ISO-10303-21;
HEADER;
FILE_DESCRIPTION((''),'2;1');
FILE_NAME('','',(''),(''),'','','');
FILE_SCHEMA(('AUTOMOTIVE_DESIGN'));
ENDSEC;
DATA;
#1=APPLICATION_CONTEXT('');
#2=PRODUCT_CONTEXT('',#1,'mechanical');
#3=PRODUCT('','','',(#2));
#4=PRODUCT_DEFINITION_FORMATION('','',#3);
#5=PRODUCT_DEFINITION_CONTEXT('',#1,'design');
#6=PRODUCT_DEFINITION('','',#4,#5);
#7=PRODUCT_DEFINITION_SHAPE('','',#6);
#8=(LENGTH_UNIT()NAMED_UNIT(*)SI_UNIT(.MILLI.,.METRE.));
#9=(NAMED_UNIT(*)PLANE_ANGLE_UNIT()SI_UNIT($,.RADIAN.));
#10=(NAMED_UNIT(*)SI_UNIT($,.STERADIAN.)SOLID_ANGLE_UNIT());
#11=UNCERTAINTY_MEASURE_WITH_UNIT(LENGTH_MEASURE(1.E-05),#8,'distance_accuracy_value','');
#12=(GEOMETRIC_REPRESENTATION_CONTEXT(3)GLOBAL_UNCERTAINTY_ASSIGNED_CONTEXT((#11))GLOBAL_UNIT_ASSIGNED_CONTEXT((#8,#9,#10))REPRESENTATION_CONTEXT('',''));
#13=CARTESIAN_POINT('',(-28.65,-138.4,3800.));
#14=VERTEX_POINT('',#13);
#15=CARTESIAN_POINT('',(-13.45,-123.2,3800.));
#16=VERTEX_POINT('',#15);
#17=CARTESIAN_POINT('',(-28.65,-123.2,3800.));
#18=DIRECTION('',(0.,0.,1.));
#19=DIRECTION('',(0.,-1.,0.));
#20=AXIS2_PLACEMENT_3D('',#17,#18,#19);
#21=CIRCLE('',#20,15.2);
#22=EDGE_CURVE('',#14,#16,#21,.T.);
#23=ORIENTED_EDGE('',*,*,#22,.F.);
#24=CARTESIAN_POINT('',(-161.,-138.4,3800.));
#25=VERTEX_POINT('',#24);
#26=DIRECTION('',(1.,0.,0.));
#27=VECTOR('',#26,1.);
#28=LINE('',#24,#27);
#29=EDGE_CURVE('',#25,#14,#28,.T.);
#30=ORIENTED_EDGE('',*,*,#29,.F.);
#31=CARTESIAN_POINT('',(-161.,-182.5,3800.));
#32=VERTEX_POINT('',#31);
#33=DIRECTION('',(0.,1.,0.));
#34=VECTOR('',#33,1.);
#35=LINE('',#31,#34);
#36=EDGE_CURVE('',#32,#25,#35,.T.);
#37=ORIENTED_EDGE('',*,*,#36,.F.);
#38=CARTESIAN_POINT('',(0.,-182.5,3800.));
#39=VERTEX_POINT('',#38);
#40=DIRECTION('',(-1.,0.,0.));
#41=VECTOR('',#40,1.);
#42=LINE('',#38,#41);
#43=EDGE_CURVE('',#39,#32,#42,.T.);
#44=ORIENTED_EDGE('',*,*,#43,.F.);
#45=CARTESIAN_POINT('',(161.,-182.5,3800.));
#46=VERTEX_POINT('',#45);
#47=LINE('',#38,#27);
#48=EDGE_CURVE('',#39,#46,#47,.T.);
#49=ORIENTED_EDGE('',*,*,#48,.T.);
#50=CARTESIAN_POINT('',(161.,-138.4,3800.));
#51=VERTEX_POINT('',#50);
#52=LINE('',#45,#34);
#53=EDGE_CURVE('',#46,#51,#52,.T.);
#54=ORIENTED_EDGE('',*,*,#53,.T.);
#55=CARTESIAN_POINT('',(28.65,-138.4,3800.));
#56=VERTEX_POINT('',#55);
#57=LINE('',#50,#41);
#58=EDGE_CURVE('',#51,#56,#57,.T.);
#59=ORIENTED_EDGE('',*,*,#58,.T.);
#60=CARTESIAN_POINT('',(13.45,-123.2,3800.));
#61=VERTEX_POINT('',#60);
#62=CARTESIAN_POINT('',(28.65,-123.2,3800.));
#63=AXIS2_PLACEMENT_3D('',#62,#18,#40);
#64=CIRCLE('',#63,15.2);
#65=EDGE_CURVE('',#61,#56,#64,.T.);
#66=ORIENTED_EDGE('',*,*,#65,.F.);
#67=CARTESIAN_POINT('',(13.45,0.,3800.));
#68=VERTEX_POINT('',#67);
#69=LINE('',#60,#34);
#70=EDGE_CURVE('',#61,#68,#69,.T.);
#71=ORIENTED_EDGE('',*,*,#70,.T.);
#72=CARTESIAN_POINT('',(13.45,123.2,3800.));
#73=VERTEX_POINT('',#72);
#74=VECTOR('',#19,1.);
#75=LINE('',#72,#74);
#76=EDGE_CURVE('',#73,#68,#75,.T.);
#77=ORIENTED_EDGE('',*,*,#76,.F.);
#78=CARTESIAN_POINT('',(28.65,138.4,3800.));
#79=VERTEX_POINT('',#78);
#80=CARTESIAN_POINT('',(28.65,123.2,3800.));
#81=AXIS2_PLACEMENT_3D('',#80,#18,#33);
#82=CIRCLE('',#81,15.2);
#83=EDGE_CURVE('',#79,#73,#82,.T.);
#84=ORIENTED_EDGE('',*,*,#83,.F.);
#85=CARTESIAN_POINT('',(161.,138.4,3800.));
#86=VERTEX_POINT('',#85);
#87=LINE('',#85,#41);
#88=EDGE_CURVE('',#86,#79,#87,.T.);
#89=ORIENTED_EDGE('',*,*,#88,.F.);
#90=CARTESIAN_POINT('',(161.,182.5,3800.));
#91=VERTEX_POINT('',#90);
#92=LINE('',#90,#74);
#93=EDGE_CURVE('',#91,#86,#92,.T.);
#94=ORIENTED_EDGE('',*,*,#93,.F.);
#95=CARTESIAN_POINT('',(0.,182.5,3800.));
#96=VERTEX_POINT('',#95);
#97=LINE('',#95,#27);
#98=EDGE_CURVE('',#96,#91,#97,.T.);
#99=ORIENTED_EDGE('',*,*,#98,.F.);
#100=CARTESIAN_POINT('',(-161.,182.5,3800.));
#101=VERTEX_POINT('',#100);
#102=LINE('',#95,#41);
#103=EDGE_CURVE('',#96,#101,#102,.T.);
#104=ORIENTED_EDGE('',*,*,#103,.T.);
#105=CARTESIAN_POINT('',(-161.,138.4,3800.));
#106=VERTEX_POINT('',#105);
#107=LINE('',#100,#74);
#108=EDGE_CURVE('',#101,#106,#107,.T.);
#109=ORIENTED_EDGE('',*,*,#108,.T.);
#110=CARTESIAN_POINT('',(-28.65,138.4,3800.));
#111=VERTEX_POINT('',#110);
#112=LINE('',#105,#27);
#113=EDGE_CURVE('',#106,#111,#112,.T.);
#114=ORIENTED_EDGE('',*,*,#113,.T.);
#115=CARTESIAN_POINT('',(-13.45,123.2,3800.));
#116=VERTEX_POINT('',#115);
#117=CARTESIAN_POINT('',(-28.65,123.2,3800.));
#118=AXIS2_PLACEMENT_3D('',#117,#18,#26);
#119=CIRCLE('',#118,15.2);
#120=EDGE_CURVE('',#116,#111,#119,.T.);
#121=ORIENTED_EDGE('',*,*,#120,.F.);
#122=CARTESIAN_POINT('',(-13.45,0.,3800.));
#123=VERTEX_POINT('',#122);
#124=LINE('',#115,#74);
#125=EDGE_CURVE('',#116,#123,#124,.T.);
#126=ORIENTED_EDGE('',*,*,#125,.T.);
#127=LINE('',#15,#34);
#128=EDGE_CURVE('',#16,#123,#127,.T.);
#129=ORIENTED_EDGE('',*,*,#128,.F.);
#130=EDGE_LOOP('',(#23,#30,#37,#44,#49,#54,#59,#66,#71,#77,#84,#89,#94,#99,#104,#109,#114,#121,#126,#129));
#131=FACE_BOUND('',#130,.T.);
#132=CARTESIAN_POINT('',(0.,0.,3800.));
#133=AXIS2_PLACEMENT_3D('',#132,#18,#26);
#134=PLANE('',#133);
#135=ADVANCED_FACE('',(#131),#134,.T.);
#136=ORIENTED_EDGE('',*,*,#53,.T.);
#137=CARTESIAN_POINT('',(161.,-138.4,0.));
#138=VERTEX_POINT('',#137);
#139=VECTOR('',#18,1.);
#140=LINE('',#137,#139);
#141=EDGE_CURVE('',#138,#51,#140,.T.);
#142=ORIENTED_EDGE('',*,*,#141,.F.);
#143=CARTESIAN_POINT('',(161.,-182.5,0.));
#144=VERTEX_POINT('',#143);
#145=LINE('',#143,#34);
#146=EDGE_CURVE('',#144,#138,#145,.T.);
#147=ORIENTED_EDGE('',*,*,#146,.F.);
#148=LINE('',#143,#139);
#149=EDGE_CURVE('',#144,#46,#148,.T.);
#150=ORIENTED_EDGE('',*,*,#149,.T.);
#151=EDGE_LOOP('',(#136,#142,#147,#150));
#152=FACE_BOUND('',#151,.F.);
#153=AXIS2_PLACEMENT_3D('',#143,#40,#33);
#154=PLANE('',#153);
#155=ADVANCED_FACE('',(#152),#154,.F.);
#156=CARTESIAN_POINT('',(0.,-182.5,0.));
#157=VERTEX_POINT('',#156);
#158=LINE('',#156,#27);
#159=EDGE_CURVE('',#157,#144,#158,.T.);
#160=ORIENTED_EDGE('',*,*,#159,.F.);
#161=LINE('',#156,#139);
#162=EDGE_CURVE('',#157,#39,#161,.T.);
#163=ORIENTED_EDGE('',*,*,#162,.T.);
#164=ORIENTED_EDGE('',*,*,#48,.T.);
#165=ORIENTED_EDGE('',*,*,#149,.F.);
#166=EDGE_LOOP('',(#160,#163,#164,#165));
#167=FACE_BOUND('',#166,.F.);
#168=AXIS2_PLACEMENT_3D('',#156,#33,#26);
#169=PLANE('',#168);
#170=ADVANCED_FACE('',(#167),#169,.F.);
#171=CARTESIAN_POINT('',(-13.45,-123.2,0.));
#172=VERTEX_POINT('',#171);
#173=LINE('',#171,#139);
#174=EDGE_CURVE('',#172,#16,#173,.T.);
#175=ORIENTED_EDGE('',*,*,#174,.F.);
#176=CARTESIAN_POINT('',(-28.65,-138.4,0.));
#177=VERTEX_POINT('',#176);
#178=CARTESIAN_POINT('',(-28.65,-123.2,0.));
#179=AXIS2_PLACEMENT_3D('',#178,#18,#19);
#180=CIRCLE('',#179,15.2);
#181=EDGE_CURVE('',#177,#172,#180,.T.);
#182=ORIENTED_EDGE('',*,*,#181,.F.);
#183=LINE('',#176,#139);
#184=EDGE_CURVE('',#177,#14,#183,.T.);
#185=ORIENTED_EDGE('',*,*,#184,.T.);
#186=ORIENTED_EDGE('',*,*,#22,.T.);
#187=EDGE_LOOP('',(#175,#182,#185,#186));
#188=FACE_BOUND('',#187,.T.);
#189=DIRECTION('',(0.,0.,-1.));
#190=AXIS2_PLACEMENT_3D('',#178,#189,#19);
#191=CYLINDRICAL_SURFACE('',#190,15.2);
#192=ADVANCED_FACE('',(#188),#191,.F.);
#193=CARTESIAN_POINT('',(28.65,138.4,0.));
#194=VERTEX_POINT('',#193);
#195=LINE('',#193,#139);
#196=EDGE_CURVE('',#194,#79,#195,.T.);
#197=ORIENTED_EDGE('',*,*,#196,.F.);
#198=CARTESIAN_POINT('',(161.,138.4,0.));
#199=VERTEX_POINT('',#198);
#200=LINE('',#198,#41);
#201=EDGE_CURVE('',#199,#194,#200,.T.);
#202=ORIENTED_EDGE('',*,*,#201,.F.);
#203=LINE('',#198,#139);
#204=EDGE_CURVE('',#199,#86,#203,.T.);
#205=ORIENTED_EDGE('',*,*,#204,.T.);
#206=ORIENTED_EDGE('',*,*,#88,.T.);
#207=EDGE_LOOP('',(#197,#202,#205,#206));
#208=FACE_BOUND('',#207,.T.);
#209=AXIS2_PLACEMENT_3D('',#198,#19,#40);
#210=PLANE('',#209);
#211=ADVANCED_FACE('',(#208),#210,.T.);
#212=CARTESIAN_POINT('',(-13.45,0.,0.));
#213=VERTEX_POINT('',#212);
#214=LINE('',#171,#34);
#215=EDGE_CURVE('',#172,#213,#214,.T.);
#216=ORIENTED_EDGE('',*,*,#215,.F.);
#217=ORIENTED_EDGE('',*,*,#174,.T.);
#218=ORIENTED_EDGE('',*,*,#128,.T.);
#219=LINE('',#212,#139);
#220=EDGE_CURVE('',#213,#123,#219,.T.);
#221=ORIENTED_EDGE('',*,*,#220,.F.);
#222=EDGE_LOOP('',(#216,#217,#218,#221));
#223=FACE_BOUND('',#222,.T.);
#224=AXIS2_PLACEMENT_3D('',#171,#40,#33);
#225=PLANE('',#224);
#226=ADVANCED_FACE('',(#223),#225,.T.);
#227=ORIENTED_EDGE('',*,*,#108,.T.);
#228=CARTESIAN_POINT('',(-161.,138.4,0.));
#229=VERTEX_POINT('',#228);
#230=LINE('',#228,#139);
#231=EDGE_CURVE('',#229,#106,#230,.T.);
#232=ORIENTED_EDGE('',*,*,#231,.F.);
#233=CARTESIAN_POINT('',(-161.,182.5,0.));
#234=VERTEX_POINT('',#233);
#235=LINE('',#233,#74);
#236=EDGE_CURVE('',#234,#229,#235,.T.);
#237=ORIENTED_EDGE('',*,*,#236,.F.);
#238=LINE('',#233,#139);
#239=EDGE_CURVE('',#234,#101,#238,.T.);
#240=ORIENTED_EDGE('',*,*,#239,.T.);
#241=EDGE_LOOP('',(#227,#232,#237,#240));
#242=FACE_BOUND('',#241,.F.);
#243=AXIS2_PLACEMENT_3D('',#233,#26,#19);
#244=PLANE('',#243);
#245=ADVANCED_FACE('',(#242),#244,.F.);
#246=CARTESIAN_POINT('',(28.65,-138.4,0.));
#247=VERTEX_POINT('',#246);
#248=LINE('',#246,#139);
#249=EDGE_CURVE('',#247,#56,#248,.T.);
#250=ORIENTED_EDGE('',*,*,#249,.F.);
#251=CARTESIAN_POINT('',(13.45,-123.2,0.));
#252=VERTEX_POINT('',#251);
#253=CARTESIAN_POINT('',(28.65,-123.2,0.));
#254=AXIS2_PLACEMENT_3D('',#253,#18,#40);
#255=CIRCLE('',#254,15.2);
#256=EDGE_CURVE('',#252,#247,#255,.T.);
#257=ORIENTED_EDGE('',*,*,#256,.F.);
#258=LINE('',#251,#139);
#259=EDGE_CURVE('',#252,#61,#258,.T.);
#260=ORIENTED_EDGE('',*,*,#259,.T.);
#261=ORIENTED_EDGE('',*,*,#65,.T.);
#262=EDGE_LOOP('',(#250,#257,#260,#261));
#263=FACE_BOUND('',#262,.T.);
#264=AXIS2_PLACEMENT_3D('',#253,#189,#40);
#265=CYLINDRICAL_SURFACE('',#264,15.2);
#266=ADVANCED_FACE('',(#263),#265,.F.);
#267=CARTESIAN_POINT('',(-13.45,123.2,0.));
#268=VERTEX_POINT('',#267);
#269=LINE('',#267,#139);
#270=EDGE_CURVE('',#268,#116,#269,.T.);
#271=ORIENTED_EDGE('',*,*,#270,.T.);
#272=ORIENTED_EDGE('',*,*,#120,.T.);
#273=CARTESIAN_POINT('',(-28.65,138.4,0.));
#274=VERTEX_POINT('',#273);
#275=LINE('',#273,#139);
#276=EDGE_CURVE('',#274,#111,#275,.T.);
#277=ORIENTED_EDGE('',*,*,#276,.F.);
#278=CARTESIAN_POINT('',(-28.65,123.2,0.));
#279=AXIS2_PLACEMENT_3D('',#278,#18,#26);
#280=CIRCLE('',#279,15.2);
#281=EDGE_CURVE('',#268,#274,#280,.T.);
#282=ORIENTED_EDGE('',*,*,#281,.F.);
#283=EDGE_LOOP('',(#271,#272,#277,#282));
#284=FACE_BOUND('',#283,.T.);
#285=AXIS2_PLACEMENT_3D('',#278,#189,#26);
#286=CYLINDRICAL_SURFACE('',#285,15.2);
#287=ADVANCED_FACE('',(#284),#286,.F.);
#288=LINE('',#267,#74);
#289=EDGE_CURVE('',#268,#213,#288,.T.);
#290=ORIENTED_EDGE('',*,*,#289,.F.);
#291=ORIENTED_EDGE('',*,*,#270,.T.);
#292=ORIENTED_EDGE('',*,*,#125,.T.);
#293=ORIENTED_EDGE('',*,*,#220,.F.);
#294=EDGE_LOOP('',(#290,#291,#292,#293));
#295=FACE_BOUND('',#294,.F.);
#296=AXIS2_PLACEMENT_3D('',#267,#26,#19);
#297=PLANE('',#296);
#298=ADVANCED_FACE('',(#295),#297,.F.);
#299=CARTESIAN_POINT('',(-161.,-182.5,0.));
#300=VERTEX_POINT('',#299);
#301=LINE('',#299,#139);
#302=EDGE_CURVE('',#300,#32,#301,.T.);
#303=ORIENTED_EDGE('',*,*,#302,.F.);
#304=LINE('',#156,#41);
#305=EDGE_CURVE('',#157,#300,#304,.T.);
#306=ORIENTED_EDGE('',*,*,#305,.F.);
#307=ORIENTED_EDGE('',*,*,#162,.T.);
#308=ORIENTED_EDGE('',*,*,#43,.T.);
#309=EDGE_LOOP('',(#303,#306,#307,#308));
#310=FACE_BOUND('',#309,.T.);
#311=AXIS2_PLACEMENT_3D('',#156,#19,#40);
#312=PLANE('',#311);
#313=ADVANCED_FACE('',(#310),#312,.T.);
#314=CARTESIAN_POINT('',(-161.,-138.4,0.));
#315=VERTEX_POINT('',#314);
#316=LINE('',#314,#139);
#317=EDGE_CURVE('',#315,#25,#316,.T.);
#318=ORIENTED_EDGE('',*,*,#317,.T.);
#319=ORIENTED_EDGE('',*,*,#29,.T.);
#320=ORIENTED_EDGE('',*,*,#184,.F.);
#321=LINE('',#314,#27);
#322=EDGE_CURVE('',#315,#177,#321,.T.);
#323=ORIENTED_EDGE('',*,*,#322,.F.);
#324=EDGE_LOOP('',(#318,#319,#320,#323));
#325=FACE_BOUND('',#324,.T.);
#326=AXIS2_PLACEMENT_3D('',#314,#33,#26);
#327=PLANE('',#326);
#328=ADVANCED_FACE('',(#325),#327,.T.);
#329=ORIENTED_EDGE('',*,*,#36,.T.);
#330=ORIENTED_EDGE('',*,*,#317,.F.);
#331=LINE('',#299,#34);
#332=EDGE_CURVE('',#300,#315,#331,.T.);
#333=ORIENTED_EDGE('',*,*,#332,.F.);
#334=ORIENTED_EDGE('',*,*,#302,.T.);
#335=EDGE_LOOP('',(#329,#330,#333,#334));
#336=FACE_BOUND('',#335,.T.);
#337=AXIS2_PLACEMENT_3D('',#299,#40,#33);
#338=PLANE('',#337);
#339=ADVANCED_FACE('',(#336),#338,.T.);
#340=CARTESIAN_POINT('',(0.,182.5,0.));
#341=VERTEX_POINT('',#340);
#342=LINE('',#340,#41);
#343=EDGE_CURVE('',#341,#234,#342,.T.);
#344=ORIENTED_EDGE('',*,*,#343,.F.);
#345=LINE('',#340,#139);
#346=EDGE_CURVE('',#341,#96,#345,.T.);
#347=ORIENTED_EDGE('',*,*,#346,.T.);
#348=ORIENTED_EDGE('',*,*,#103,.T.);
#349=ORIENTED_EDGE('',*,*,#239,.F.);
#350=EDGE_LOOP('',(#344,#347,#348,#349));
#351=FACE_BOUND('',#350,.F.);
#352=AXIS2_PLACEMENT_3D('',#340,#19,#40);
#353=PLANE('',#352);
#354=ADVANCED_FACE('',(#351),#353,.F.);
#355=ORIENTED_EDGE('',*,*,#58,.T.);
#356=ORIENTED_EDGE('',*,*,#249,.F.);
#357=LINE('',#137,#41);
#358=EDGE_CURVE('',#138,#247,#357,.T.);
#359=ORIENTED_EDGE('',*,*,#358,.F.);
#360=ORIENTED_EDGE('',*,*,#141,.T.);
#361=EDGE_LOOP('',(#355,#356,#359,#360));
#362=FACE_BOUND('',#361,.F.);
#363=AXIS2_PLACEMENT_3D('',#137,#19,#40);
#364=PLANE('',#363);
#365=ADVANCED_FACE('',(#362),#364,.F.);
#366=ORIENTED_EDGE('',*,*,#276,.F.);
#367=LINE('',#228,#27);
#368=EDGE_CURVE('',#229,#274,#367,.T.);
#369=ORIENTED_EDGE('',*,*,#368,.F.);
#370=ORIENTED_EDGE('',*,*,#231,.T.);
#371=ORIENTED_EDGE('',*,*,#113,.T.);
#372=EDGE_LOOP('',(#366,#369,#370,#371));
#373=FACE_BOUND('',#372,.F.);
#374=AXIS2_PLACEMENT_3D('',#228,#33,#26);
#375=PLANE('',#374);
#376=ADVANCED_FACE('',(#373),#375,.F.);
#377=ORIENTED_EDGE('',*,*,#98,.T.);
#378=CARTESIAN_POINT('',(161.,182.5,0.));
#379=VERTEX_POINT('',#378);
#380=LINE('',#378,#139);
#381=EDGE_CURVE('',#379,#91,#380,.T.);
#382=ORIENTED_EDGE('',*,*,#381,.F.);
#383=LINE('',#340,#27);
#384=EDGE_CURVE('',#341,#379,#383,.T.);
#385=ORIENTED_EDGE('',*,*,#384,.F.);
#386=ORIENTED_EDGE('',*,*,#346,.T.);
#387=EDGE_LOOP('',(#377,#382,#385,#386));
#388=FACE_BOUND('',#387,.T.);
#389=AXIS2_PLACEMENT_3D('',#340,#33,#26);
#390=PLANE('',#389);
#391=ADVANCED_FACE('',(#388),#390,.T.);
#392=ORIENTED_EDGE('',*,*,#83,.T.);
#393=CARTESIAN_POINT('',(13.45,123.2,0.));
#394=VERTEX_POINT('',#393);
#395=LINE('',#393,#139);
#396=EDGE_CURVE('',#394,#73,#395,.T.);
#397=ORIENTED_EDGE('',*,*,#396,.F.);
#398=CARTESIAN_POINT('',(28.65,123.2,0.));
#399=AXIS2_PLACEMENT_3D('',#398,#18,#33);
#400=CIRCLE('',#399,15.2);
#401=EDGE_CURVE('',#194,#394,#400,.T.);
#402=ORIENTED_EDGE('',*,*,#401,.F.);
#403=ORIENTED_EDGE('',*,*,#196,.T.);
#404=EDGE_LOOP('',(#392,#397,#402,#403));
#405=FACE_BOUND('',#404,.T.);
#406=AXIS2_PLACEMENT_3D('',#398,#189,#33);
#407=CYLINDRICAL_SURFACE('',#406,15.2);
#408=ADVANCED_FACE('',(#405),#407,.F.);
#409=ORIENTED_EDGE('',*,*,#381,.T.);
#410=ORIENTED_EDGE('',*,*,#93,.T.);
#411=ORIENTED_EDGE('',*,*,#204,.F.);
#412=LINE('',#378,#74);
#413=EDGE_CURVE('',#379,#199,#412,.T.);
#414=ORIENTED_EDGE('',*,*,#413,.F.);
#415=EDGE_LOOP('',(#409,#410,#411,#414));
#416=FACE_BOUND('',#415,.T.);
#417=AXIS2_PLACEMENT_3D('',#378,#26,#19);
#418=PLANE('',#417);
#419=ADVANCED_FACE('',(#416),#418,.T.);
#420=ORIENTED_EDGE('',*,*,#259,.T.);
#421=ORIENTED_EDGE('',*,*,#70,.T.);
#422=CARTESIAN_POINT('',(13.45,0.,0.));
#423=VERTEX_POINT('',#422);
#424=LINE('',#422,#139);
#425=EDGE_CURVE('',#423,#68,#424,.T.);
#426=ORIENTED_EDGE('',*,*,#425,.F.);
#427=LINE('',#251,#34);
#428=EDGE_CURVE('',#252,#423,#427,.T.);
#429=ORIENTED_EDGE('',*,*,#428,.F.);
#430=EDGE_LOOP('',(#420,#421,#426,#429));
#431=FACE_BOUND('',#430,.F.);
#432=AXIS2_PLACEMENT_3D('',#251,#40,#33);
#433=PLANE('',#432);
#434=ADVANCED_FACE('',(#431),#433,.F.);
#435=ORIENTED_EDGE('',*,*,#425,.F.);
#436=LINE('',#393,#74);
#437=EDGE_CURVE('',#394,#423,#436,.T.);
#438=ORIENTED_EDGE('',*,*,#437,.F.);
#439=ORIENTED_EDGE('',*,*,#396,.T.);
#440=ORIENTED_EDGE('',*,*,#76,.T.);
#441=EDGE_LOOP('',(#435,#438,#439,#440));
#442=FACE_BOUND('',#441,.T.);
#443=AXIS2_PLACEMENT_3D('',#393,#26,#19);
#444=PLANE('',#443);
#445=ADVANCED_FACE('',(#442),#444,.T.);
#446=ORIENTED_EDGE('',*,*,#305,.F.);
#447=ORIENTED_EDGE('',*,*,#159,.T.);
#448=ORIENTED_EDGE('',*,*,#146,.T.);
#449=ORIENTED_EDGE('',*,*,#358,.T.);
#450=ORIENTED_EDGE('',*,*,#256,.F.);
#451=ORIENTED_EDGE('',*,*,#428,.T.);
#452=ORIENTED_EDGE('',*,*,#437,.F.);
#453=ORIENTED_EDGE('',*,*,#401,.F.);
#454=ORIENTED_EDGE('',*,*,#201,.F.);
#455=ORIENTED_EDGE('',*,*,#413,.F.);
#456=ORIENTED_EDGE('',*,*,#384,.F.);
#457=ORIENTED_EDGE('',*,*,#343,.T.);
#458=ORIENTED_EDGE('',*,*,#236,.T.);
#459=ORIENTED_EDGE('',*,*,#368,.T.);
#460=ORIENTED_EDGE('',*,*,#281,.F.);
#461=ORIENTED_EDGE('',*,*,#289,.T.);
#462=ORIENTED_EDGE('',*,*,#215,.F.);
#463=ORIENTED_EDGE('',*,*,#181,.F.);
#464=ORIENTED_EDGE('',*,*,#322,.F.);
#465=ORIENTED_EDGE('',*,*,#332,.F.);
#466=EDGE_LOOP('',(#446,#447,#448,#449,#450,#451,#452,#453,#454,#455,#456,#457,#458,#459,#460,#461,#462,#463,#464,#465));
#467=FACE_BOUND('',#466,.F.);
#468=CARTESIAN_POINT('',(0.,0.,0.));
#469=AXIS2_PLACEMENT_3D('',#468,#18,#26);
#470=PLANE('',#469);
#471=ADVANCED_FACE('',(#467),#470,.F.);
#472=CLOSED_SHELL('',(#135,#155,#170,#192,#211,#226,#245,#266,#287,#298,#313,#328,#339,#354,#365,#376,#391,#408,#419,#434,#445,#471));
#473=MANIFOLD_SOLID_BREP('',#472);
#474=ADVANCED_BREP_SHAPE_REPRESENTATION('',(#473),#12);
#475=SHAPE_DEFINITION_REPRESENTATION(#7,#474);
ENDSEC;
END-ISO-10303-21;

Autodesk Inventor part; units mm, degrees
ref_plane "YZ Plane" through (0, 0, 0) normal (1, 0, 0) x (0, 1, 0)
ref_plane "Start plane" through (0, 0, 0) normal (0, 0, 1) x (1, 0, 0)
ref_plane "End plane" through (0, 0, 3800) normal (0, 0, 1) x (1, 0, 0)
sketch "Sketch" plane through (0, 0, 0) normal (0, 0, 1) x (1, 0, 0)
  line L0 (-161, -182.5) -> (-161, -138.4)
  line L1 (-161, -138.4) -> (-28.65, -138.4)
  line L2 (-13.45, -123.2) -> (-13.45, 0)
  line L3 (-13.45, 0) -> (0, 0) construction
  line L4 (0, 0) -> (0, -182.5) construction
  line L5 (0, -182.5) -> (-161, -182.5)
  line L6 (-60, 0) -> (80, 0) construction
  line L7 (0, -60) -> (0, 80) construction
  line L8 (161, -182.5) -> (161, -138.4)
  line L9 (161, -138.4) -> (28.65, -138.4)
  line L10 (13.45, -123.2) -> (13.45, 0)
  line L11 (13.45, 0) -> (0, 0) construction
  line L12 (0, -182.5) -> (161, -182.5)
  line L13 (-161, 182.5) -> (-161, 138.4)
  line L14 (-161, 138.4) -> (-28.65, 138.4)
  line L15 (-13.45, 123.2) -> (-13.45, 0)
  line L16 (0, 182.5) -> (-161, 182.5)
  line L17 (161, 182.5) -> (161, 138.4)
  line L18 (161, 138.4) -> (28.65, 138.4)
  line L19 (0, 182.5) -> (161, 182.5)
  line L20 (13.45, 123.2) -> (13.45, 0)
  arc A0 (-13.45, 123.2) -> (-28.65, 138.4) centre (-28.65, 123.2) ccw
  arc A1 (28.65, 138.4) -> (13.45, 123.2) centre (28.65, 123.2) ccw
  arc A2 (13.45, -123.2) -> (28.65, -138.4) centre (28.65, -123.2) ccw
  arc A3 (-28.65, -138.4) -> (-13.45, -123.2) centre (-28.65, -123.2) ccw
  line L21 (0, 108) -> (0, -88) construction
  line L22 (-88, 0) -> (108, 0) construction
  point P0 (-13.45, -138.4)
  point P1 (13.45, -138.4)
  point P2 (-13.45, 138.4)
  point P3 (13.45, 138.4)
  dimension "d1" = 182.5
  dimension "d2" = 44.1
  dimension "d3" = 161
  dimension "d4" = 13.45
  dimension "d10" = 15.2
extrude "Body" add sketch "Sketch" along normal up to surface (3800 mm away) from surface at 0
sketch "Sketch4" plane through (0, 0, 0) normal (0, 0, 1) x (1, 0, 0)
  line L0 (0, 0) -> (10, 0)
ref_plane "Work Plane3" through (0, 0, 0) normal (0, -1, 0) x (1, 0, 0)
sketch "Sketch5" plane through (0, 0, 0) normal (0, -1, 0) x (1, 0, 0)
  line L0 (-2, 0) -> (12, 0) projected
  line L1 (-2, 3800) -> (12, 3800) projected
  dimension "d14" = 3800
equation "\"d1\" = 0.5 * G_H"
equation "\"d2\" = G_T1"
equation "\"d3\" = 0.5 * G_W"
equation "\"d4\" = 0.5 * G_T"
equation "\"d10\" = G_IR"
equation "\"d5\" = G_L"
equation "\"G_W\" = 322"
equation "\"G_H\" = 365"
equation "\"G_T\" = 26.9"
equation "\"G_T1\" = 44.1"
equation "\"G_IR\" = 15.2"
equation "\"G_L\" = d14"
equation "\"G_OFFSET_START\" = 0"
equation "\"G_OFFSET_END\" = 0"
properties part number "AS 3679 - 310 UC - 283 - 3800" material "Steel, Mild"
